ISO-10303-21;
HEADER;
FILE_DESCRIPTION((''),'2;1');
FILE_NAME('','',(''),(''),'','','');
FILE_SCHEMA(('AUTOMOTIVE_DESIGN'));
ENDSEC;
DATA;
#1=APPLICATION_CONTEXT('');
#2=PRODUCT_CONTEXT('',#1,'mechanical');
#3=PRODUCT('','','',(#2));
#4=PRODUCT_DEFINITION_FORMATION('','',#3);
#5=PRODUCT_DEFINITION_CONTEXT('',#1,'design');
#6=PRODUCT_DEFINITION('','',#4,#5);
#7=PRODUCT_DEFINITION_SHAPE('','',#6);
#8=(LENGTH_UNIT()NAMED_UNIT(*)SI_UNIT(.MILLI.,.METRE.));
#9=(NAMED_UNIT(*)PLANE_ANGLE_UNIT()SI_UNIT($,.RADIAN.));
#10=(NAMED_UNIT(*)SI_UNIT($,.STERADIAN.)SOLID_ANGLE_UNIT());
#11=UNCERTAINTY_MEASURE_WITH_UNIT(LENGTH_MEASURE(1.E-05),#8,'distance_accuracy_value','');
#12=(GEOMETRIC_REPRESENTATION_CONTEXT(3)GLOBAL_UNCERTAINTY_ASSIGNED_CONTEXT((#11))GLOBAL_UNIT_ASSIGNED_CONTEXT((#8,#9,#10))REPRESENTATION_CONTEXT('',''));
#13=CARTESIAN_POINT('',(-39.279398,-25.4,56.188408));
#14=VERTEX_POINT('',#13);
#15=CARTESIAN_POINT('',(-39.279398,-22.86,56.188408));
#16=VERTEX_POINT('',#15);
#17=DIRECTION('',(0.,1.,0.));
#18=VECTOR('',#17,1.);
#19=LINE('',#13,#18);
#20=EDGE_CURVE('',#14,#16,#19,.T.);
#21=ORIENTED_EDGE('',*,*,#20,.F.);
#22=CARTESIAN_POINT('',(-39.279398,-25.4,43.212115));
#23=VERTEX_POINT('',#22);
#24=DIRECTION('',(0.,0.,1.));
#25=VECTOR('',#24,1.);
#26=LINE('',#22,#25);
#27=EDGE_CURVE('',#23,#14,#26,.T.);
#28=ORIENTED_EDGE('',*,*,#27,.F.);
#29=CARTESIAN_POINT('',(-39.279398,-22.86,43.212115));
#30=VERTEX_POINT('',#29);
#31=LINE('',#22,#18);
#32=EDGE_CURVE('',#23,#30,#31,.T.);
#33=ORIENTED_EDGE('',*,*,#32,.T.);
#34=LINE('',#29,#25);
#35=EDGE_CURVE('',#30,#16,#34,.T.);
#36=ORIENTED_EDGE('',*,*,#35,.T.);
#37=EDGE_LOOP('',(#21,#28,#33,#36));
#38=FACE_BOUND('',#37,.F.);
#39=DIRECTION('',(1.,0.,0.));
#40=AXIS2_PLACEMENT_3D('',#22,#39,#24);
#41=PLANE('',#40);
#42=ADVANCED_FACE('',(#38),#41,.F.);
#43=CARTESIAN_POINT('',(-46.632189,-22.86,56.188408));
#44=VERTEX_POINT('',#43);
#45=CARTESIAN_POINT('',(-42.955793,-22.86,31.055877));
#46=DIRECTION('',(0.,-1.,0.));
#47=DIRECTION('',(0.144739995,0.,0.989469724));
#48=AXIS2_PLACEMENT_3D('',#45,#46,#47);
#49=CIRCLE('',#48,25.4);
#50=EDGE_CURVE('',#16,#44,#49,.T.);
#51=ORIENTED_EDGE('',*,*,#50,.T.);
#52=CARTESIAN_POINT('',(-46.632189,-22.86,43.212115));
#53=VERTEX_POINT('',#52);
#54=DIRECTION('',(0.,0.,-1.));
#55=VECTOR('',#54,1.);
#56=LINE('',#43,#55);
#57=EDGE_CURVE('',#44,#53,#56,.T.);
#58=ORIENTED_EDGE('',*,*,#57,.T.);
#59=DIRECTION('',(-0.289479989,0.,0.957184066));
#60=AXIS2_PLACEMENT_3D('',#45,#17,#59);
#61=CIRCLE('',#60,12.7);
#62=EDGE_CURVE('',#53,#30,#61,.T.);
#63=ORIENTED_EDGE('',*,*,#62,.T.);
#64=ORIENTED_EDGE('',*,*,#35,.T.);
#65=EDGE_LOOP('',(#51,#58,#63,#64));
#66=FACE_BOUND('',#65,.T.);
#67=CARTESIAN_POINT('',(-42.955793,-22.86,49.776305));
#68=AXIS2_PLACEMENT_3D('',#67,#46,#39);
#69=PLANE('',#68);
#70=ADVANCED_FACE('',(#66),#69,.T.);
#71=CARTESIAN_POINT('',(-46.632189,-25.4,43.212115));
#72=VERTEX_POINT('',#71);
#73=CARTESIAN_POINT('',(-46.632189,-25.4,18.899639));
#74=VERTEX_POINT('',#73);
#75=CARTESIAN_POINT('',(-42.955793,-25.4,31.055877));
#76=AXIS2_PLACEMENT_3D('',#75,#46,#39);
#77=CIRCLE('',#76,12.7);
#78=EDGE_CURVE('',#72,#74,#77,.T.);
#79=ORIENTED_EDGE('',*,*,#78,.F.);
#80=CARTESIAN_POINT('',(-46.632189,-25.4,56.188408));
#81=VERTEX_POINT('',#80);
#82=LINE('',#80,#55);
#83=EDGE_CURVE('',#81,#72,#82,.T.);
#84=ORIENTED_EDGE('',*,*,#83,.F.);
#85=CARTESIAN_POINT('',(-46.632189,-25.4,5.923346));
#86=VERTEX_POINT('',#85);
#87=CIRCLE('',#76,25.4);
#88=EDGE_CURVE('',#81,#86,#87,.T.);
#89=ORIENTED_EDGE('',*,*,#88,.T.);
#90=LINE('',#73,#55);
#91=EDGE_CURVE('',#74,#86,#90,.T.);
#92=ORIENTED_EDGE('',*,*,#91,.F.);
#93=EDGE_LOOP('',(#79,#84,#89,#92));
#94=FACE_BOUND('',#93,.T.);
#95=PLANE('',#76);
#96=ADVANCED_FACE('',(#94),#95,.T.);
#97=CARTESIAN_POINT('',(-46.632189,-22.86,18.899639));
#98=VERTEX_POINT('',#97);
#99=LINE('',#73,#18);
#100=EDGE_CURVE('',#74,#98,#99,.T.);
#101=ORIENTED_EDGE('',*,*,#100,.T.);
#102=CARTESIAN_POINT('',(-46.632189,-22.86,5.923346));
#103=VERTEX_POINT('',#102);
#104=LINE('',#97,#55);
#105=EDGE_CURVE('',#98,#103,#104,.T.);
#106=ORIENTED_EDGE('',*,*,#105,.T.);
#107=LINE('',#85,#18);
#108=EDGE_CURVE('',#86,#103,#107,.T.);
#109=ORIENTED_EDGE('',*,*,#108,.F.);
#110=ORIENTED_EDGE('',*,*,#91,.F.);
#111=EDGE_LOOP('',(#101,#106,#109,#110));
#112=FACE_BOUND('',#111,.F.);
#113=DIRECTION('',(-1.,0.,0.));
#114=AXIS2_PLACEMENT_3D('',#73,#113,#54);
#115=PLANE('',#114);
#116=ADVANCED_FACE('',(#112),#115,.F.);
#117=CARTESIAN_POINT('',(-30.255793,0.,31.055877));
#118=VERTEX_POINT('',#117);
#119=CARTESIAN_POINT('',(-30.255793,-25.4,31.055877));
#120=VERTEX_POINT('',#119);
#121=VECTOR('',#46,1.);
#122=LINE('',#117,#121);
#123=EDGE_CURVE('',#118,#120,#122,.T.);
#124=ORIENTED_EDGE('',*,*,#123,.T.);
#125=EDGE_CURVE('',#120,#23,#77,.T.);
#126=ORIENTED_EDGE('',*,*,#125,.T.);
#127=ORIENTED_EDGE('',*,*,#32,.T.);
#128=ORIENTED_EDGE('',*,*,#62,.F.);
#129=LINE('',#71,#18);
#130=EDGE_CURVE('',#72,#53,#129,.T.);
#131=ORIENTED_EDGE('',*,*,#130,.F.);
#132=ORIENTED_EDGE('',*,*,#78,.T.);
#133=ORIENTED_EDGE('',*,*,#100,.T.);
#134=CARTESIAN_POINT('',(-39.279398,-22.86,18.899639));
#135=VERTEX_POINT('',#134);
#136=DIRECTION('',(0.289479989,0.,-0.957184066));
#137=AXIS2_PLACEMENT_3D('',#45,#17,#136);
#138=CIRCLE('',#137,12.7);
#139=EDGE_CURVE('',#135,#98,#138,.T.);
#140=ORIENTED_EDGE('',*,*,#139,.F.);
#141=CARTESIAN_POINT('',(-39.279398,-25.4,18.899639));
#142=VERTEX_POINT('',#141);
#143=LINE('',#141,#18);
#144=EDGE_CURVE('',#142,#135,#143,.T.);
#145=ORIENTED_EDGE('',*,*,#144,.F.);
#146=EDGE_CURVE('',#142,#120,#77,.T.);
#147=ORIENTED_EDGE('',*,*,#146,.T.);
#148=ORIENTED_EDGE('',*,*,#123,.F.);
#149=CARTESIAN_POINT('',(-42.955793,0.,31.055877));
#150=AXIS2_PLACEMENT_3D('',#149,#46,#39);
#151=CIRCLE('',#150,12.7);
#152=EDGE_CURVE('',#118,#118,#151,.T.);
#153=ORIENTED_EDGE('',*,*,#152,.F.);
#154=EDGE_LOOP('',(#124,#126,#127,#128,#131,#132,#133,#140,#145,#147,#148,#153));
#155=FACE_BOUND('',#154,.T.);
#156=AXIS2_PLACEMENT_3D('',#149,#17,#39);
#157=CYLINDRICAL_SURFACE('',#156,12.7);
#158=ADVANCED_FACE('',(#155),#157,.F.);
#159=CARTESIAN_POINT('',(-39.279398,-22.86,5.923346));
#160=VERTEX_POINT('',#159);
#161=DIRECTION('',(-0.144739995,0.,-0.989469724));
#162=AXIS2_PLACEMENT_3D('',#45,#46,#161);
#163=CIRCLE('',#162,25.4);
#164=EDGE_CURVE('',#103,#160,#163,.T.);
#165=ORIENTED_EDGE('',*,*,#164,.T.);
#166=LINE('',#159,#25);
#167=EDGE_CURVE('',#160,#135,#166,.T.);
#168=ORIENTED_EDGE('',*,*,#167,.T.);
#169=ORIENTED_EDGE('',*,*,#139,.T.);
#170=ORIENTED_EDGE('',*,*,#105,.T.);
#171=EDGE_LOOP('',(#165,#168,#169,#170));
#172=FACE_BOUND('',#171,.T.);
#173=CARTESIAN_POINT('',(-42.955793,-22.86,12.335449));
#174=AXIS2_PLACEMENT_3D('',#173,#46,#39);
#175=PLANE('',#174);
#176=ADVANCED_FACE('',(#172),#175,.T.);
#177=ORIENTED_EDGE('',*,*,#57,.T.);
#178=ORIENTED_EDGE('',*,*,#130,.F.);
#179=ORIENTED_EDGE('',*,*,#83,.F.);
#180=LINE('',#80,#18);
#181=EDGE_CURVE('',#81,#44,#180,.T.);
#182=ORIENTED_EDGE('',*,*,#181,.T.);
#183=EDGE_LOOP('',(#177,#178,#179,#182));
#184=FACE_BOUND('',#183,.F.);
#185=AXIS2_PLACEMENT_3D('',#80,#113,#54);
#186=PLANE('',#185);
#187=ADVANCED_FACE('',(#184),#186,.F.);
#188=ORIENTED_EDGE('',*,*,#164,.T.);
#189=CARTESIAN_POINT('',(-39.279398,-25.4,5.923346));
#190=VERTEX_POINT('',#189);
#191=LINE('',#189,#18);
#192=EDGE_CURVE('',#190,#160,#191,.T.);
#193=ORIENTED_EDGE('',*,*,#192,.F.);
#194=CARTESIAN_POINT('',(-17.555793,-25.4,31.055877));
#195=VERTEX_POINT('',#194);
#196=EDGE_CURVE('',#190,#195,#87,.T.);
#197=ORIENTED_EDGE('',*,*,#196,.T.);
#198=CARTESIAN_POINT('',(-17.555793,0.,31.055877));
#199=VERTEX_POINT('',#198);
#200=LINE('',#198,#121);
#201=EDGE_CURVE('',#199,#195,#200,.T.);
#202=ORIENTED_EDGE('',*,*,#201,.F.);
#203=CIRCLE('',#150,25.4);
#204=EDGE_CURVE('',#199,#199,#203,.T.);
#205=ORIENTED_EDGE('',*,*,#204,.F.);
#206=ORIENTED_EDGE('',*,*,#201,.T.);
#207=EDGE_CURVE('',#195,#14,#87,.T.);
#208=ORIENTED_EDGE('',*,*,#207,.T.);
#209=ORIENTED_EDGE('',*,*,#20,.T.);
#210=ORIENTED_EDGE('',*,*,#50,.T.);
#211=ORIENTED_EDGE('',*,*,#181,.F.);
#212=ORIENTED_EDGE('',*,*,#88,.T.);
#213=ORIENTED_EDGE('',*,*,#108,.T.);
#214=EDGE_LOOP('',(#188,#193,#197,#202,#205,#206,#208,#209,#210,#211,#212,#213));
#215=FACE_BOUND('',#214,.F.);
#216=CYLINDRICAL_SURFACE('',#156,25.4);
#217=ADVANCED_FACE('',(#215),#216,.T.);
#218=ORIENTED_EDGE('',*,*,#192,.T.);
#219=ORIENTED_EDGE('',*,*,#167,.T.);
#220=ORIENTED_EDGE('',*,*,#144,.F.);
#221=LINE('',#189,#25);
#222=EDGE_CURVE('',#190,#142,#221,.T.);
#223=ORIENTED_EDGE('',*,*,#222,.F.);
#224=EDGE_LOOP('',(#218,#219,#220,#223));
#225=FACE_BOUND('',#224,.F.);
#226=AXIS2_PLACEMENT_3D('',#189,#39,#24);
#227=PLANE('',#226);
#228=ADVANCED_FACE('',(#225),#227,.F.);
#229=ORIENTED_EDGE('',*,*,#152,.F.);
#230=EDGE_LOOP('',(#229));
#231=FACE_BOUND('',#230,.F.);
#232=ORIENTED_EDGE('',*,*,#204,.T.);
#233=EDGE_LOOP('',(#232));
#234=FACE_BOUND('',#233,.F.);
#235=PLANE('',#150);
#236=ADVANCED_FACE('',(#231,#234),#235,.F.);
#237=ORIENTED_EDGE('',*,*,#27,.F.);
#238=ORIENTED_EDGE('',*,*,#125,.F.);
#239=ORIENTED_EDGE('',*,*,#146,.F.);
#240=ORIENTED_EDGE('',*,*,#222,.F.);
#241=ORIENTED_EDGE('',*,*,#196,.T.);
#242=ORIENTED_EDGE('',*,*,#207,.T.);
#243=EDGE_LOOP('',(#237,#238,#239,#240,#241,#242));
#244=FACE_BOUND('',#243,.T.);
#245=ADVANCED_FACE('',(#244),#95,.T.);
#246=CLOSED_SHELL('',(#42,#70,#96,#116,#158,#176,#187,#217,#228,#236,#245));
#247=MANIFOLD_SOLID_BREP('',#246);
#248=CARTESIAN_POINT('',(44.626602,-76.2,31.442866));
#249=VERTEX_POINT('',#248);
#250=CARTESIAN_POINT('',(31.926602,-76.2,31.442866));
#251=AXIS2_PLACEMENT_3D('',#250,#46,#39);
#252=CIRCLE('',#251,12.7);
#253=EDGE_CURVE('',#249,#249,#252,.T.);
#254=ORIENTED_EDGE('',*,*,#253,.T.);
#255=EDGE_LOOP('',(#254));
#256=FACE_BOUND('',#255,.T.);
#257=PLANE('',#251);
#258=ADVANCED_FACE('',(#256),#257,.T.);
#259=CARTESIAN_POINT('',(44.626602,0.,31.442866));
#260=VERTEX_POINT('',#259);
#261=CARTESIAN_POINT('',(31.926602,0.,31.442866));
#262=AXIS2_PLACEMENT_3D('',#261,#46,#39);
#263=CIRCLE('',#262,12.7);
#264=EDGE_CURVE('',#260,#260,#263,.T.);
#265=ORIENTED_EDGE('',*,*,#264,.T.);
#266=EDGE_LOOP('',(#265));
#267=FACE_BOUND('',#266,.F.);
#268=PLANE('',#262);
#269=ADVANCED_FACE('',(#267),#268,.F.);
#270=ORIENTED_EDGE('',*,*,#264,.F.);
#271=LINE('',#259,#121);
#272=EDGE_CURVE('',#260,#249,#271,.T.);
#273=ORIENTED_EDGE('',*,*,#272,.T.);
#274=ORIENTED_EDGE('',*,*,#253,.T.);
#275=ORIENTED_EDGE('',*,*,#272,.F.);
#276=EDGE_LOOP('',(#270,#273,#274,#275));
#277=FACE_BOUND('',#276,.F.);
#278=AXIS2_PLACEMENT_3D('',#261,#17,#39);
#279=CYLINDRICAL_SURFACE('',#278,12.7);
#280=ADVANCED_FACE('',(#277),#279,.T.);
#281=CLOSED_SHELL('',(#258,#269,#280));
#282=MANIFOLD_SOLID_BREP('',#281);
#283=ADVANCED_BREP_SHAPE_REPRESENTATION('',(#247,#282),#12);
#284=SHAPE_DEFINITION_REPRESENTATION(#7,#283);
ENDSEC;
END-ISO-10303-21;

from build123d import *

# Parameters (mm, degrees)
F1_R     = 12.7
F2_DEPTH = 76.2
F0_R     = 25.4
F0_R_2   = 12.7
F3_DEPTH = 25.4
F5_DEPTH = 2.54


with BuildPart() as f2:
    # F1 (on Front) → F2 (new body)
    with BuildSketch(Plane.XZ):
        with Locations((31.9266021252, 31.4428657293)):
            Circle(F1_R)
    extrude(amount=F2_DEPTH)


with BuildPart() as f3:
    # F0 (on Front) → F3 (new body)
    with BuildSketch(Plane.XZ):
        with Locations((-42.9557934403, 31.0558769852)):
            Circle(F0_R)
        with Locations((-42.9557934403, 31.0558769852)):
            Circle(F0_R_2, mode=Mode.SUBTRACT)
    extrude(amount=F3_DEPTH)

    # F4 (on face) → F5 (cut)
    with BuildSketch(Plane.XZ.offset(25.4)):
        with BuildLine():
            ThreePointArc((-39.279397577, 56.1884079651), (-42.9557934403, 56.4558769852), (-46.6321893036, 56.1884079651))
            Line((-46.6321893036, 56.1884079651), (-46.6321893036, 43.2121146209))
            ThreePointArc((-46.6321893036, 43.2121146209), (-42.9557934403, 43.7558769852), (-39.279397577, 43.2121146209))
            Line((-39.279397577, 43.2121146209), (-39.279397577, 56.1884079651))
        make_face()
        with BuildLine():
            Line((-46.6321893036, 18.8996393495), (-46.6321893036, 5.9233460053))
            ThreePointArc((-46.6321893036, 5.9233460053), (-42.9557934403, 5.6558769852), (-39.279397577, 5.9233460053))
            Line((-39.279397577, 5.9233460053), (-39.279397577, 18.8996393495))
            ThreePointArc((-39.279397577, 18.8996393495), (-42.9557934403, 18.3558769852), (-46.6321893036, 18.8996393495))
        make_face()
    extrude(amount=-F5_DEPTH, mode=Mode.SUBTRACT)


solid = Compound([f2.part, f3.part])
